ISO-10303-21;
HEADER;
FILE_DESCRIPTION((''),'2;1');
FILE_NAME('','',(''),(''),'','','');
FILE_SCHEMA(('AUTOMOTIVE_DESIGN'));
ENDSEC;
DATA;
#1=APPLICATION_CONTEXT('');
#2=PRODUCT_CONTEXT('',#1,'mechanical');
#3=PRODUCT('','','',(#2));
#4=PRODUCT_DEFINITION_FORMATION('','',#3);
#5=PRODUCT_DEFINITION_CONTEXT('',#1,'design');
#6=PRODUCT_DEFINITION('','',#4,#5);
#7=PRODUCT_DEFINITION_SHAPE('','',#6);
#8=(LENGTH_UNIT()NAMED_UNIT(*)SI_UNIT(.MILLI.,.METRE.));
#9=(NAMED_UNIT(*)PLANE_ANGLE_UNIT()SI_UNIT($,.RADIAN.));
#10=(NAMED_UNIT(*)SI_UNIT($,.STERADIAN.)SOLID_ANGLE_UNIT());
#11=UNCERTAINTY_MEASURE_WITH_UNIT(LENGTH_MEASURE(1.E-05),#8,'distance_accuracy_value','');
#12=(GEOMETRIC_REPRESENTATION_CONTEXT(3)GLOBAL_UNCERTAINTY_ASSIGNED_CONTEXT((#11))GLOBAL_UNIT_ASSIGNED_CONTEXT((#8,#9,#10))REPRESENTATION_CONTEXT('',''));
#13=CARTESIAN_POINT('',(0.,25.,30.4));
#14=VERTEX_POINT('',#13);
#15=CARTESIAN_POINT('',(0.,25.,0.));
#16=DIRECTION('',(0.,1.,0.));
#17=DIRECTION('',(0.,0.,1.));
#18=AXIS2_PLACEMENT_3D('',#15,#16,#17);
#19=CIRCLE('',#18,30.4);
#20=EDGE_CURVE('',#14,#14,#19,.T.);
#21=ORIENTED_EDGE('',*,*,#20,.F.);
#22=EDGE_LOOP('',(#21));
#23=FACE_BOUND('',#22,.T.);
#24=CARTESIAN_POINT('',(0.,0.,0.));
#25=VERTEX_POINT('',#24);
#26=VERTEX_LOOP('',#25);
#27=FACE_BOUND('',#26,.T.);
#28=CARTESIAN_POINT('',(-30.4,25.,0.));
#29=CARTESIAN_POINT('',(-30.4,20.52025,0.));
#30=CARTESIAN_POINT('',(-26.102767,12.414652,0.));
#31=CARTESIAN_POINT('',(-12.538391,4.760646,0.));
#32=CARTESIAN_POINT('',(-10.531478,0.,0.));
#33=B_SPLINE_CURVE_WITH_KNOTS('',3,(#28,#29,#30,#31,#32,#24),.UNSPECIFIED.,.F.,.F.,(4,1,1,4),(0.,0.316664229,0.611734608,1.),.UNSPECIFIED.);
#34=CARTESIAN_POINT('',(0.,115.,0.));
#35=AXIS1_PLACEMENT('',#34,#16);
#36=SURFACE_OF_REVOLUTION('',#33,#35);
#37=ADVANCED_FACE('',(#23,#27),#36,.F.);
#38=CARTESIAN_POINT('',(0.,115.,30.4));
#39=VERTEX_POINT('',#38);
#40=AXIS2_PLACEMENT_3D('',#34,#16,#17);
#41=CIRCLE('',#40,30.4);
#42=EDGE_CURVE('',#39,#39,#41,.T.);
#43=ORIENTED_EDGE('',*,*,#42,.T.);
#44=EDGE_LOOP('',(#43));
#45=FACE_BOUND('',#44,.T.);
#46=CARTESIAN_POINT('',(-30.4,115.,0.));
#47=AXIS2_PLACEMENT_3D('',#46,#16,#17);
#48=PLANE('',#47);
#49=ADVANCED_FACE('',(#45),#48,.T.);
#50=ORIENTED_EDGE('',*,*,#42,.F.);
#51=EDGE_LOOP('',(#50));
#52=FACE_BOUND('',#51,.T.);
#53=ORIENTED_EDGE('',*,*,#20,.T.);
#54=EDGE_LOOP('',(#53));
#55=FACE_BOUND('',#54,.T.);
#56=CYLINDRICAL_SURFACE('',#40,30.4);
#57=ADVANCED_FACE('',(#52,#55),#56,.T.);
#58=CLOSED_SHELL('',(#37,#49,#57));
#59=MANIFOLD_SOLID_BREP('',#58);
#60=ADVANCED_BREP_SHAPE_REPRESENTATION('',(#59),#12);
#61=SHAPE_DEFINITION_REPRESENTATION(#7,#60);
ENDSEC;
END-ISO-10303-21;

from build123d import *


with BuildPart() as part:
    # Sketch1 → Revolve1 (revolve)
    with BuildSketch(Plane.XY, mode=Mode.PRIVATE) as revolve1_sk:
        with BuildLine():
            Line((-30.4, 25), (-30.4, 115))
            Line((-30.4, 115), (0, 115))
            Line((0, 115), (0, 0))
            add(Edge.make_bspline(
                [(0, 0), (-10.531477599, 0), (-12.538391125, 4.760646346), (-26.102767351, 12.414652189), (-30.4, 20.520250324), (-30.4, 25)],
                knots=[0, 0, 0, 0, 0.388265392, 0.683335771, 1, 1, 1, 1], degree=3))
        make_face()
    revolve(revolve1_sk.sketch.rotate(Axis((0, 115, 0), (0, -1, 0)), 270), axis=Axis((0, 115, 0), (0, -1, 0)))


solid = part.part
